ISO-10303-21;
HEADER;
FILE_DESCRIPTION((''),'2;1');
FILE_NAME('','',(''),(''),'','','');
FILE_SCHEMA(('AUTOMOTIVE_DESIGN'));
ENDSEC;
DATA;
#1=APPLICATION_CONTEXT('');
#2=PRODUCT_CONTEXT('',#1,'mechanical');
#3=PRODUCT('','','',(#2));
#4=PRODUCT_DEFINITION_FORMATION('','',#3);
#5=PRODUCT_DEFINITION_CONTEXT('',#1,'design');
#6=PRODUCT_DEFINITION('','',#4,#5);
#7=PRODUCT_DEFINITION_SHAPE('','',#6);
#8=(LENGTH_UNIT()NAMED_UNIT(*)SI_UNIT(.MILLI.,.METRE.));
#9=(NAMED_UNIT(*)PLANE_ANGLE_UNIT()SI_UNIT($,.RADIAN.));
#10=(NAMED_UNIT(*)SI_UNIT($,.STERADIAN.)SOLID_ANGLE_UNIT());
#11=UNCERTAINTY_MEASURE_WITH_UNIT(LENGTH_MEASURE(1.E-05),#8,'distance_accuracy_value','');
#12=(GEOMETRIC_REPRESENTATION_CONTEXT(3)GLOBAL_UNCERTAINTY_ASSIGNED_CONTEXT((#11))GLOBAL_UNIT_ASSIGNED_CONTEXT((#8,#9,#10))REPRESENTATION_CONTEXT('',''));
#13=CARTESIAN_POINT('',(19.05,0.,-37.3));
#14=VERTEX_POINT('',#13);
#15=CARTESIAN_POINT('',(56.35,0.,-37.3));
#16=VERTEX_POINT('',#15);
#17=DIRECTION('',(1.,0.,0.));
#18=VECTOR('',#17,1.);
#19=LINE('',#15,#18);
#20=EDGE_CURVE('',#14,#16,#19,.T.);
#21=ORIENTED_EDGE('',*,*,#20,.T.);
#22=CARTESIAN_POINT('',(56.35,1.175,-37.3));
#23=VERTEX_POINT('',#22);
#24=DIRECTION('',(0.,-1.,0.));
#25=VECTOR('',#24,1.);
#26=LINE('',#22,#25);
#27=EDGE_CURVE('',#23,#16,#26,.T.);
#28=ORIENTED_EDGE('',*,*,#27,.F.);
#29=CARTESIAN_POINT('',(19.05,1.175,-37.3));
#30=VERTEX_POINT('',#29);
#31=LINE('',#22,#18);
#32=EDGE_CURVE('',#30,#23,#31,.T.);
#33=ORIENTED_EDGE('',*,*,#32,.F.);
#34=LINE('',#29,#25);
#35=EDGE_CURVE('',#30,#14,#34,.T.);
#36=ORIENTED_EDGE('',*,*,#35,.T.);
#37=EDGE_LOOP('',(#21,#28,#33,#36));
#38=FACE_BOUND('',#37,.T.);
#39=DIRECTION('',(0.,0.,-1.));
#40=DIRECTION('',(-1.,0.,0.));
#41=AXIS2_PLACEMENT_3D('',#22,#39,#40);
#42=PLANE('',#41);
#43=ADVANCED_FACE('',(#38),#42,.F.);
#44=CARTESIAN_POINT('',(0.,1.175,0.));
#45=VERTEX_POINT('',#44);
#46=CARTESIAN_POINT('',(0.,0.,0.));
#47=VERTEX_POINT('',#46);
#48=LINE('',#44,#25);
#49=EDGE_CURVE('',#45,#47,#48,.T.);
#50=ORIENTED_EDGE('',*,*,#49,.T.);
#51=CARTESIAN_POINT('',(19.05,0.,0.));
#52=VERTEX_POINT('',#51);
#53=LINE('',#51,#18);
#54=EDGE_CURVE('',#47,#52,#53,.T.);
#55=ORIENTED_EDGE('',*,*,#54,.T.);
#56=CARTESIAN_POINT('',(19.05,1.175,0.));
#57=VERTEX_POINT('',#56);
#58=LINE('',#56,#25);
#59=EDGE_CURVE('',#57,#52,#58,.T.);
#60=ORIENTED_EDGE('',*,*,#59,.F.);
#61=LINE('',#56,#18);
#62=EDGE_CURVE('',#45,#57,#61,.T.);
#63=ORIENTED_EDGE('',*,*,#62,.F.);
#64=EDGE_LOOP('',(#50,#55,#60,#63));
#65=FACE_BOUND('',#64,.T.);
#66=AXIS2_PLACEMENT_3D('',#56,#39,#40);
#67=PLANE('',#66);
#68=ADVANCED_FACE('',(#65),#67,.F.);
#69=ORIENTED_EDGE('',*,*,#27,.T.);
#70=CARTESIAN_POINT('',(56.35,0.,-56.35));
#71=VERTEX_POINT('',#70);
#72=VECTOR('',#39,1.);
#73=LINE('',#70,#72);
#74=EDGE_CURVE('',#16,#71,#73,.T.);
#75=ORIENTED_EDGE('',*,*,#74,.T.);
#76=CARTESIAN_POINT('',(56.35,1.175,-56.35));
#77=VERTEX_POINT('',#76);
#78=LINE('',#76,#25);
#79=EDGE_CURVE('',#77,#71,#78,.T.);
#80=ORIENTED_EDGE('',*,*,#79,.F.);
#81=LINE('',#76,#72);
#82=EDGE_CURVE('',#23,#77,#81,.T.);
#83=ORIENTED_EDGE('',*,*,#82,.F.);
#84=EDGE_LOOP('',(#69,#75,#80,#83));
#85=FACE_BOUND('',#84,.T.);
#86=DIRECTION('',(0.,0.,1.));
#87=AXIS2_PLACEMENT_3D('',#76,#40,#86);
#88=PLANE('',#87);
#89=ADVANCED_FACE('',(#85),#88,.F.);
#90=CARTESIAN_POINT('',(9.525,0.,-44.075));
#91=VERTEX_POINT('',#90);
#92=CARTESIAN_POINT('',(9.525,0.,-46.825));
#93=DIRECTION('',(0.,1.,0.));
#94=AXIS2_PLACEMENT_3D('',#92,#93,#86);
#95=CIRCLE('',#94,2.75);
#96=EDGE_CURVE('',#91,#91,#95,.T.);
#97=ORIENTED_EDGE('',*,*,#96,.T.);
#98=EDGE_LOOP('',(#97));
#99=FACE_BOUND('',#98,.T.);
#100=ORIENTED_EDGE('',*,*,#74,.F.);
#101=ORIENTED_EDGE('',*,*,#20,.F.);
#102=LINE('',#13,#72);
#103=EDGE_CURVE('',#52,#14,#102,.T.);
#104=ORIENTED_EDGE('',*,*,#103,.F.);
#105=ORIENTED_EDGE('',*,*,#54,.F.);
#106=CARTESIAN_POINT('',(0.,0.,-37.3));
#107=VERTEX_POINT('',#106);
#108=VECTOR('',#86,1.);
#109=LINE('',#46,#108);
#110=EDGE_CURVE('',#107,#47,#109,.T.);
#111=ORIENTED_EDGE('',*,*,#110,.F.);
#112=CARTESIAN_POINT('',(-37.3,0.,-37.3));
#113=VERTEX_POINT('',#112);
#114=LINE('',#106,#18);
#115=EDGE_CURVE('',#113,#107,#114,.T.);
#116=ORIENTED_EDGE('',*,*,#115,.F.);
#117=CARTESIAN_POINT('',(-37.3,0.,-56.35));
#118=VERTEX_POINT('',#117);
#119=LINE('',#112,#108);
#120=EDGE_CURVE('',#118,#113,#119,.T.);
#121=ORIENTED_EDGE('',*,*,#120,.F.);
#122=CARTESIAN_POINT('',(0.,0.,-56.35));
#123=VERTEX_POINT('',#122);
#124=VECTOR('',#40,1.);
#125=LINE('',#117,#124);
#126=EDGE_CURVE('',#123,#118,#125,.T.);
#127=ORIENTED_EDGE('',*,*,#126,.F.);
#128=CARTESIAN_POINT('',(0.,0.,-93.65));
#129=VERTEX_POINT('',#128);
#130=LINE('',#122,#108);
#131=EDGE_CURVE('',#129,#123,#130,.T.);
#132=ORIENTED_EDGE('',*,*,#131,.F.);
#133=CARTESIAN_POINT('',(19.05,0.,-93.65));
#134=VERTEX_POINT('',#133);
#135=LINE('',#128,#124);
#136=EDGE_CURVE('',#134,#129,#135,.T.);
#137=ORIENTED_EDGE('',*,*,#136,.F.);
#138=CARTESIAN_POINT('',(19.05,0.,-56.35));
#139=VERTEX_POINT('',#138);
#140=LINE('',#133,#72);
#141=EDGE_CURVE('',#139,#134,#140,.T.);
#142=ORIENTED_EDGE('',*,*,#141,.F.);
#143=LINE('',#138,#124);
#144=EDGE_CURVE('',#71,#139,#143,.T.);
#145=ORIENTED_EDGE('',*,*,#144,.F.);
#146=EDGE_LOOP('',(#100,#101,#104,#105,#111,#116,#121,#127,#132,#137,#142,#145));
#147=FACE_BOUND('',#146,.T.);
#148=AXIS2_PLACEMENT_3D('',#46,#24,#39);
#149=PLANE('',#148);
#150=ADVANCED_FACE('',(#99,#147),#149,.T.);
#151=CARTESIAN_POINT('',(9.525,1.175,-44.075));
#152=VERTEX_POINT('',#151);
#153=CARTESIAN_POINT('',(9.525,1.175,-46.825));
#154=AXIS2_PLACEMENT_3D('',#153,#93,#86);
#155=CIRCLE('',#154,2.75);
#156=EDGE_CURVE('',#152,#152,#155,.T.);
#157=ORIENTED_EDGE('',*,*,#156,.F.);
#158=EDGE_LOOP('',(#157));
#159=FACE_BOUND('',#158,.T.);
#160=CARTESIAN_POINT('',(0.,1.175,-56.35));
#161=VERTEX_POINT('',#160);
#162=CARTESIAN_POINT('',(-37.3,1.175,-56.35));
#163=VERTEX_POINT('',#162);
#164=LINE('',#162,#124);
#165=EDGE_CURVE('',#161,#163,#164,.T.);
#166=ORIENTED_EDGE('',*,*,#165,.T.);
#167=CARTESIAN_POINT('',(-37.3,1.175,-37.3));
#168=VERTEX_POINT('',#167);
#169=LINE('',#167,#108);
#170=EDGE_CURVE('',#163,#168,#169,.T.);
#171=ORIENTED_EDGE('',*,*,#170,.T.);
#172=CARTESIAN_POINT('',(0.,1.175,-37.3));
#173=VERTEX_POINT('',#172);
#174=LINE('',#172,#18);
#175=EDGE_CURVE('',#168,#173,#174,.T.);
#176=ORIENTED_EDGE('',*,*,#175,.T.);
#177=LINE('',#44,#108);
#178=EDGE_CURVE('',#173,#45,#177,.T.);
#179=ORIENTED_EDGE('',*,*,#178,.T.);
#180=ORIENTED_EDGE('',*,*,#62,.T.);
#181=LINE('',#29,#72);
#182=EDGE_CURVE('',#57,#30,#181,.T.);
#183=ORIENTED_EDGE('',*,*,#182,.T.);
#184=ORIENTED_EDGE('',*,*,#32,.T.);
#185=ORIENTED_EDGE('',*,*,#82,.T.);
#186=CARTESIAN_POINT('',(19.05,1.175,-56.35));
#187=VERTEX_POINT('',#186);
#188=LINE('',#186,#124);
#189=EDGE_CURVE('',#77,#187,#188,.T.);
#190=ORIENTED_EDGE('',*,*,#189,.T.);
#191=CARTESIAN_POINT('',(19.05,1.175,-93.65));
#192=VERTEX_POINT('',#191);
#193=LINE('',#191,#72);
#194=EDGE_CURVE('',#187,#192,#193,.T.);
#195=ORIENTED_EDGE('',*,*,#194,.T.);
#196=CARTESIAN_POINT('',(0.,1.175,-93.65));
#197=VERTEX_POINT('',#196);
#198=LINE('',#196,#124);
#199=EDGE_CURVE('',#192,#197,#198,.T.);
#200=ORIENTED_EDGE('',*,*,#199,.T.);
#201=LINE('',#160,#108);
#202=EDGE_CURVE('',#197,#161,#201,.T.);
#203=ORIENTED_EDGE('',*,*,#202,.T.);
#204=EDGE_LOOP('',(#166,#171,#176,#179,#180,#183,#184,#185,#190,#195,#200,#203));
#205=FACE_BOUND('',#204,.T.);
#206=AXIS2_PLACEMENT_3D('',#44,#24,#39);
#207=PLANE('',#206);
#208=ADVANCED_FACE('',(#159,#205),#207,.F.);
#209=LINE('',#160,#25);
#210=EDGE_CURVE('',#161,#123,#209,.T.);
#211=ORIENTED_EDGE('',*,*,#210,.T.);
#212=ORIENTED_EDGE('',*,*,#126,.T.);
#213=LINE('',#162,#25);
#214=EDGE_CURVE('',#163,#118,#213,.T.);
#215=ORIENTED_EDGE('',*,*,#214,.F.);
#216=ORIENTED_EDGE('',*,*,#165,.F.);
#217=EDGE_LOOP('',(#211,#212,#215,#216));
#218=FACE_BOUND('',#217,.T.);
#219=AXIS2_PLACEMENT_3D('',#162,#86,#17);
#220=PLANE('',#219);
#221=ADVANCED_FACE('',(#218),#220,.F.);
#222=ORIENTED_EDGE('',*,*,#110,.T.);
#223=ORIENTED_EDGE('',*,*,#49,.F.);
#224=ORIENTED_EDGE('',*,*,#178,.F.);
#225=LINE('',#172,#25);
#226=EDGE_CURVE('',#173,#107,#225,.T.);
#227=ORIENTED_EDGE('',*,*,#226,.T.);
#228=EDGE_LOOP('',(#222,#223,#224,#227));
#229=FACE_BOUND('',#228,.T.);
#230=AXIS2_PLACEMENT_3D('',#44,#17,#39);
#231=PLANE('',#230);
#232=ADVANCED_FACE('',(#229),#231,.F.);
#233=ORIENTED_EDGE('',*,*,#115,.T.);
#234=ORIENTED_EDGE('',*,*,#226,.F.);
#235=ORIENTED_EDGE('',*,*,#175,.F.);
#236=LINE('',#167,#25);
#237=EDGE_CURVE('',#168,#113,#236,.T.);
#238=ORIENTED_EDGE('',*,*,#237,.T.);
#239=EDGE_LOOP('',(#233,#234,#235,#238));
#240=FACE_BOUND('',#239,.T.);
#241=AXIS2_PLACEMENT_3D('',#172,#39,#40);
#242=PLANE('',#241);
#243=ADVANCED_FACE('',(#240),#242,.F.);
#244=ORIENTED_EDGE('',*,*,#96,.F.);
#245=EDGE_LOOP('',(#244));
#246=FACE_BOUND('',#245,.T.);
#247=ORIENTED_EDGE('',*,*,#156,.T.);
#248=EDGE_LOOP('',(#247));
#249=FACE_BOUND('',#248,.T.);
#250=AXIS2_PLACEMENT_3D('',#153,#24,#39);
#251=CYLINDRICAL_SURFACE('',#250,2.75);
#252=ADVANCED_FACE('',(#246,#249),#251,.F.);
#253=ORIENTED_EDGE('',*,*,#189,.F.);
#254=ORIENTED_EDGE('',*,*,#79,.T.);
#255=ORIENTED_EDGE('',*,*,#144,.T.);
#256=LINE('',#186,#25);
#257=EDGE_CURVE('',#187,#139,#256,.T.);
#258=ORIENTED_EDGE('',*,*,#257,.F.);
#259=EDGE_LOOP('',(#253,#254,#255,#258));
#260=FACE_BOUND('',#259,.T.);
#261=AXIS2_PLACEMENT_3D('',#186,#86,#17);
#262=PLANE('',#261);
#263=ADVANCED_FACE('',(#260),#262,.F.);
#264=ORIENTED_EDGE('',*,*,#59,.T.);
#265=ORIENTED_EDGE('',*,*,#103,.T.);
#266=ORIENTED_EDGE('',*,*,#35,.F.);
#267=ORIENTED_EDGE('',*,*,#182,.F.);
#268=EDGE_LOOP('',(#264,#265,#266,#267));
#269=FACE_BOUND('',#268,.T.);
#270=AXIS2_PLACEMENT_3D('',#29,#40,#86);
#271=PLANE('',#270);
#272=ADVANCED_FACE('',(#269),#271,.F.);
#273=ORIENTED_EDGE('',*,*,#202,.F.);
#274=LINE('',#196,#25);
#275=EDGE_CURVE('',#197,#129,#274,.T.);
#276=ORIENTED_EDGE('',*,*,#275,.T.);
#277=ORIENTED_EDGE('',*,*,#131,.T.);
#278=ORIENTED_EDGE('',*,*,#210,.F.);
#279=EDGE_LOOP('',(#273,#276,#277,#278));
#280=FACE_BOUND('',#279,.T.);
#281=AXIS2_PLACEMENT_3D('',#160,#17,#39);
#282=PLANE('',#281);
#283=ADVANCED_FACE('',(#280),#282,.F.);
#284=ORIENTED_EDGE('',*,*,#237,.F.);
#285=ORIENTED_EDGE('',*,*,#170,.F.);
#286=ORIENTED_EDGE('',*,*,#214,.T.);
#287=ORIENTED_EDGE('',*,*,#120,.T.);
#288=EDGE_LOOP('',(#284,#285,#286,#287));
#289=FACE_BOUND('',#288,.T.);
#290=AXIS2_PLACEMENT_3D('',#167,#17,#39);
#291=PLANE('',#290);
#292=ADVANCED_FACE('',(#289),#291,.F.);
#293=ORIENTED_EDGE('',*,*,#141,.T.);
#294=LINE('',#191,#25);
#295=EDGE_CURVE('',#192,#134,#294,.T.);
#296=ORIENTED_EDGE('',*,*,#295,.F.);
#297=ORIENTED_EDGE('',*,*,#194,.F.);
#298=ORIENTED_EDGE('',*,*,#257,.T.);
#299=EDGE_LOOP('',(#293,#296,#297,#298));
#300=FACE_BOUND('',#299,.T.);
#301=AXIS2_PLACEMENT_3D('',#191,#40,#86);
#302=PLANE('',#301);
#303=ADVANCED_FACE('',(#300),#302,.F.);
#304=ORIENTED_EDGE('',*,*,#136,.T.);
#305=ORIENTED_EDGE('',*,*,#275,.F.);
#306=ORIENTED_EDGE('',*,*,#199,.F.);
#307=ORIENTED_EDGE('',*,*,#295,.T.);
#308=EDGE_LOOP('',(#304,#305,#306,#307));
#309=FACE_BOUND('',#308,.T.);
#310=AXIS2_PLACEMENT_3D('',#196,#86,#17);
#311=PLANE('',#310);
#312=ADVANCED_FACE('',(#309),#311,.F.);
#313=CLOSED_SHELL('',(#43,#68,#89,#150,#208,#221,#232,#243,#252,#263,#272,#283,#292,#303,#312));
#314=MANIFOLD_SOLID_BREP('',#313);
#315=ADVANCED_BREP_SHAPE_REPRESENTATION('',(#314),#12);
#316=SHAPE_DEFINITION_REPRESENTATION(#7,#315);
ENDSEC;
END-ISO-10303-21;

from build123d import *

# Parameters (mm, degrees)
SKETCH1_R           = 2.75
BOSS_EXTRUDE1_DEPTH = 1.175


with BuildPart() as part:
    # Sketch1 → Boss-Extrude1 (new body)
    with BuildSketch(Plane(origin=(0, 0, 0), x_dir=(1, 0, 0), z_dir=(0, 1, 0))):
        Polygon((0, 0), (0, 37.3), (-37.3, 37.3), (-37.3, 56.35), (0, 56.35), (0, 93.65), (19.05, 93.65), (19.05, 56.35), (56.35, 56.35), (56.35, 37.3), (19.05, 37.3), (19.05, 0), align=None)
        with Locations(Location((9.525, 46.825, 0), (0, 0, 270))):
            Circle(SKETCH1_R, mode=Mode.SUBTRACT)
    extrude(amount=BOSS_EXTRUDE1_DEPTH)


solid = part.part
